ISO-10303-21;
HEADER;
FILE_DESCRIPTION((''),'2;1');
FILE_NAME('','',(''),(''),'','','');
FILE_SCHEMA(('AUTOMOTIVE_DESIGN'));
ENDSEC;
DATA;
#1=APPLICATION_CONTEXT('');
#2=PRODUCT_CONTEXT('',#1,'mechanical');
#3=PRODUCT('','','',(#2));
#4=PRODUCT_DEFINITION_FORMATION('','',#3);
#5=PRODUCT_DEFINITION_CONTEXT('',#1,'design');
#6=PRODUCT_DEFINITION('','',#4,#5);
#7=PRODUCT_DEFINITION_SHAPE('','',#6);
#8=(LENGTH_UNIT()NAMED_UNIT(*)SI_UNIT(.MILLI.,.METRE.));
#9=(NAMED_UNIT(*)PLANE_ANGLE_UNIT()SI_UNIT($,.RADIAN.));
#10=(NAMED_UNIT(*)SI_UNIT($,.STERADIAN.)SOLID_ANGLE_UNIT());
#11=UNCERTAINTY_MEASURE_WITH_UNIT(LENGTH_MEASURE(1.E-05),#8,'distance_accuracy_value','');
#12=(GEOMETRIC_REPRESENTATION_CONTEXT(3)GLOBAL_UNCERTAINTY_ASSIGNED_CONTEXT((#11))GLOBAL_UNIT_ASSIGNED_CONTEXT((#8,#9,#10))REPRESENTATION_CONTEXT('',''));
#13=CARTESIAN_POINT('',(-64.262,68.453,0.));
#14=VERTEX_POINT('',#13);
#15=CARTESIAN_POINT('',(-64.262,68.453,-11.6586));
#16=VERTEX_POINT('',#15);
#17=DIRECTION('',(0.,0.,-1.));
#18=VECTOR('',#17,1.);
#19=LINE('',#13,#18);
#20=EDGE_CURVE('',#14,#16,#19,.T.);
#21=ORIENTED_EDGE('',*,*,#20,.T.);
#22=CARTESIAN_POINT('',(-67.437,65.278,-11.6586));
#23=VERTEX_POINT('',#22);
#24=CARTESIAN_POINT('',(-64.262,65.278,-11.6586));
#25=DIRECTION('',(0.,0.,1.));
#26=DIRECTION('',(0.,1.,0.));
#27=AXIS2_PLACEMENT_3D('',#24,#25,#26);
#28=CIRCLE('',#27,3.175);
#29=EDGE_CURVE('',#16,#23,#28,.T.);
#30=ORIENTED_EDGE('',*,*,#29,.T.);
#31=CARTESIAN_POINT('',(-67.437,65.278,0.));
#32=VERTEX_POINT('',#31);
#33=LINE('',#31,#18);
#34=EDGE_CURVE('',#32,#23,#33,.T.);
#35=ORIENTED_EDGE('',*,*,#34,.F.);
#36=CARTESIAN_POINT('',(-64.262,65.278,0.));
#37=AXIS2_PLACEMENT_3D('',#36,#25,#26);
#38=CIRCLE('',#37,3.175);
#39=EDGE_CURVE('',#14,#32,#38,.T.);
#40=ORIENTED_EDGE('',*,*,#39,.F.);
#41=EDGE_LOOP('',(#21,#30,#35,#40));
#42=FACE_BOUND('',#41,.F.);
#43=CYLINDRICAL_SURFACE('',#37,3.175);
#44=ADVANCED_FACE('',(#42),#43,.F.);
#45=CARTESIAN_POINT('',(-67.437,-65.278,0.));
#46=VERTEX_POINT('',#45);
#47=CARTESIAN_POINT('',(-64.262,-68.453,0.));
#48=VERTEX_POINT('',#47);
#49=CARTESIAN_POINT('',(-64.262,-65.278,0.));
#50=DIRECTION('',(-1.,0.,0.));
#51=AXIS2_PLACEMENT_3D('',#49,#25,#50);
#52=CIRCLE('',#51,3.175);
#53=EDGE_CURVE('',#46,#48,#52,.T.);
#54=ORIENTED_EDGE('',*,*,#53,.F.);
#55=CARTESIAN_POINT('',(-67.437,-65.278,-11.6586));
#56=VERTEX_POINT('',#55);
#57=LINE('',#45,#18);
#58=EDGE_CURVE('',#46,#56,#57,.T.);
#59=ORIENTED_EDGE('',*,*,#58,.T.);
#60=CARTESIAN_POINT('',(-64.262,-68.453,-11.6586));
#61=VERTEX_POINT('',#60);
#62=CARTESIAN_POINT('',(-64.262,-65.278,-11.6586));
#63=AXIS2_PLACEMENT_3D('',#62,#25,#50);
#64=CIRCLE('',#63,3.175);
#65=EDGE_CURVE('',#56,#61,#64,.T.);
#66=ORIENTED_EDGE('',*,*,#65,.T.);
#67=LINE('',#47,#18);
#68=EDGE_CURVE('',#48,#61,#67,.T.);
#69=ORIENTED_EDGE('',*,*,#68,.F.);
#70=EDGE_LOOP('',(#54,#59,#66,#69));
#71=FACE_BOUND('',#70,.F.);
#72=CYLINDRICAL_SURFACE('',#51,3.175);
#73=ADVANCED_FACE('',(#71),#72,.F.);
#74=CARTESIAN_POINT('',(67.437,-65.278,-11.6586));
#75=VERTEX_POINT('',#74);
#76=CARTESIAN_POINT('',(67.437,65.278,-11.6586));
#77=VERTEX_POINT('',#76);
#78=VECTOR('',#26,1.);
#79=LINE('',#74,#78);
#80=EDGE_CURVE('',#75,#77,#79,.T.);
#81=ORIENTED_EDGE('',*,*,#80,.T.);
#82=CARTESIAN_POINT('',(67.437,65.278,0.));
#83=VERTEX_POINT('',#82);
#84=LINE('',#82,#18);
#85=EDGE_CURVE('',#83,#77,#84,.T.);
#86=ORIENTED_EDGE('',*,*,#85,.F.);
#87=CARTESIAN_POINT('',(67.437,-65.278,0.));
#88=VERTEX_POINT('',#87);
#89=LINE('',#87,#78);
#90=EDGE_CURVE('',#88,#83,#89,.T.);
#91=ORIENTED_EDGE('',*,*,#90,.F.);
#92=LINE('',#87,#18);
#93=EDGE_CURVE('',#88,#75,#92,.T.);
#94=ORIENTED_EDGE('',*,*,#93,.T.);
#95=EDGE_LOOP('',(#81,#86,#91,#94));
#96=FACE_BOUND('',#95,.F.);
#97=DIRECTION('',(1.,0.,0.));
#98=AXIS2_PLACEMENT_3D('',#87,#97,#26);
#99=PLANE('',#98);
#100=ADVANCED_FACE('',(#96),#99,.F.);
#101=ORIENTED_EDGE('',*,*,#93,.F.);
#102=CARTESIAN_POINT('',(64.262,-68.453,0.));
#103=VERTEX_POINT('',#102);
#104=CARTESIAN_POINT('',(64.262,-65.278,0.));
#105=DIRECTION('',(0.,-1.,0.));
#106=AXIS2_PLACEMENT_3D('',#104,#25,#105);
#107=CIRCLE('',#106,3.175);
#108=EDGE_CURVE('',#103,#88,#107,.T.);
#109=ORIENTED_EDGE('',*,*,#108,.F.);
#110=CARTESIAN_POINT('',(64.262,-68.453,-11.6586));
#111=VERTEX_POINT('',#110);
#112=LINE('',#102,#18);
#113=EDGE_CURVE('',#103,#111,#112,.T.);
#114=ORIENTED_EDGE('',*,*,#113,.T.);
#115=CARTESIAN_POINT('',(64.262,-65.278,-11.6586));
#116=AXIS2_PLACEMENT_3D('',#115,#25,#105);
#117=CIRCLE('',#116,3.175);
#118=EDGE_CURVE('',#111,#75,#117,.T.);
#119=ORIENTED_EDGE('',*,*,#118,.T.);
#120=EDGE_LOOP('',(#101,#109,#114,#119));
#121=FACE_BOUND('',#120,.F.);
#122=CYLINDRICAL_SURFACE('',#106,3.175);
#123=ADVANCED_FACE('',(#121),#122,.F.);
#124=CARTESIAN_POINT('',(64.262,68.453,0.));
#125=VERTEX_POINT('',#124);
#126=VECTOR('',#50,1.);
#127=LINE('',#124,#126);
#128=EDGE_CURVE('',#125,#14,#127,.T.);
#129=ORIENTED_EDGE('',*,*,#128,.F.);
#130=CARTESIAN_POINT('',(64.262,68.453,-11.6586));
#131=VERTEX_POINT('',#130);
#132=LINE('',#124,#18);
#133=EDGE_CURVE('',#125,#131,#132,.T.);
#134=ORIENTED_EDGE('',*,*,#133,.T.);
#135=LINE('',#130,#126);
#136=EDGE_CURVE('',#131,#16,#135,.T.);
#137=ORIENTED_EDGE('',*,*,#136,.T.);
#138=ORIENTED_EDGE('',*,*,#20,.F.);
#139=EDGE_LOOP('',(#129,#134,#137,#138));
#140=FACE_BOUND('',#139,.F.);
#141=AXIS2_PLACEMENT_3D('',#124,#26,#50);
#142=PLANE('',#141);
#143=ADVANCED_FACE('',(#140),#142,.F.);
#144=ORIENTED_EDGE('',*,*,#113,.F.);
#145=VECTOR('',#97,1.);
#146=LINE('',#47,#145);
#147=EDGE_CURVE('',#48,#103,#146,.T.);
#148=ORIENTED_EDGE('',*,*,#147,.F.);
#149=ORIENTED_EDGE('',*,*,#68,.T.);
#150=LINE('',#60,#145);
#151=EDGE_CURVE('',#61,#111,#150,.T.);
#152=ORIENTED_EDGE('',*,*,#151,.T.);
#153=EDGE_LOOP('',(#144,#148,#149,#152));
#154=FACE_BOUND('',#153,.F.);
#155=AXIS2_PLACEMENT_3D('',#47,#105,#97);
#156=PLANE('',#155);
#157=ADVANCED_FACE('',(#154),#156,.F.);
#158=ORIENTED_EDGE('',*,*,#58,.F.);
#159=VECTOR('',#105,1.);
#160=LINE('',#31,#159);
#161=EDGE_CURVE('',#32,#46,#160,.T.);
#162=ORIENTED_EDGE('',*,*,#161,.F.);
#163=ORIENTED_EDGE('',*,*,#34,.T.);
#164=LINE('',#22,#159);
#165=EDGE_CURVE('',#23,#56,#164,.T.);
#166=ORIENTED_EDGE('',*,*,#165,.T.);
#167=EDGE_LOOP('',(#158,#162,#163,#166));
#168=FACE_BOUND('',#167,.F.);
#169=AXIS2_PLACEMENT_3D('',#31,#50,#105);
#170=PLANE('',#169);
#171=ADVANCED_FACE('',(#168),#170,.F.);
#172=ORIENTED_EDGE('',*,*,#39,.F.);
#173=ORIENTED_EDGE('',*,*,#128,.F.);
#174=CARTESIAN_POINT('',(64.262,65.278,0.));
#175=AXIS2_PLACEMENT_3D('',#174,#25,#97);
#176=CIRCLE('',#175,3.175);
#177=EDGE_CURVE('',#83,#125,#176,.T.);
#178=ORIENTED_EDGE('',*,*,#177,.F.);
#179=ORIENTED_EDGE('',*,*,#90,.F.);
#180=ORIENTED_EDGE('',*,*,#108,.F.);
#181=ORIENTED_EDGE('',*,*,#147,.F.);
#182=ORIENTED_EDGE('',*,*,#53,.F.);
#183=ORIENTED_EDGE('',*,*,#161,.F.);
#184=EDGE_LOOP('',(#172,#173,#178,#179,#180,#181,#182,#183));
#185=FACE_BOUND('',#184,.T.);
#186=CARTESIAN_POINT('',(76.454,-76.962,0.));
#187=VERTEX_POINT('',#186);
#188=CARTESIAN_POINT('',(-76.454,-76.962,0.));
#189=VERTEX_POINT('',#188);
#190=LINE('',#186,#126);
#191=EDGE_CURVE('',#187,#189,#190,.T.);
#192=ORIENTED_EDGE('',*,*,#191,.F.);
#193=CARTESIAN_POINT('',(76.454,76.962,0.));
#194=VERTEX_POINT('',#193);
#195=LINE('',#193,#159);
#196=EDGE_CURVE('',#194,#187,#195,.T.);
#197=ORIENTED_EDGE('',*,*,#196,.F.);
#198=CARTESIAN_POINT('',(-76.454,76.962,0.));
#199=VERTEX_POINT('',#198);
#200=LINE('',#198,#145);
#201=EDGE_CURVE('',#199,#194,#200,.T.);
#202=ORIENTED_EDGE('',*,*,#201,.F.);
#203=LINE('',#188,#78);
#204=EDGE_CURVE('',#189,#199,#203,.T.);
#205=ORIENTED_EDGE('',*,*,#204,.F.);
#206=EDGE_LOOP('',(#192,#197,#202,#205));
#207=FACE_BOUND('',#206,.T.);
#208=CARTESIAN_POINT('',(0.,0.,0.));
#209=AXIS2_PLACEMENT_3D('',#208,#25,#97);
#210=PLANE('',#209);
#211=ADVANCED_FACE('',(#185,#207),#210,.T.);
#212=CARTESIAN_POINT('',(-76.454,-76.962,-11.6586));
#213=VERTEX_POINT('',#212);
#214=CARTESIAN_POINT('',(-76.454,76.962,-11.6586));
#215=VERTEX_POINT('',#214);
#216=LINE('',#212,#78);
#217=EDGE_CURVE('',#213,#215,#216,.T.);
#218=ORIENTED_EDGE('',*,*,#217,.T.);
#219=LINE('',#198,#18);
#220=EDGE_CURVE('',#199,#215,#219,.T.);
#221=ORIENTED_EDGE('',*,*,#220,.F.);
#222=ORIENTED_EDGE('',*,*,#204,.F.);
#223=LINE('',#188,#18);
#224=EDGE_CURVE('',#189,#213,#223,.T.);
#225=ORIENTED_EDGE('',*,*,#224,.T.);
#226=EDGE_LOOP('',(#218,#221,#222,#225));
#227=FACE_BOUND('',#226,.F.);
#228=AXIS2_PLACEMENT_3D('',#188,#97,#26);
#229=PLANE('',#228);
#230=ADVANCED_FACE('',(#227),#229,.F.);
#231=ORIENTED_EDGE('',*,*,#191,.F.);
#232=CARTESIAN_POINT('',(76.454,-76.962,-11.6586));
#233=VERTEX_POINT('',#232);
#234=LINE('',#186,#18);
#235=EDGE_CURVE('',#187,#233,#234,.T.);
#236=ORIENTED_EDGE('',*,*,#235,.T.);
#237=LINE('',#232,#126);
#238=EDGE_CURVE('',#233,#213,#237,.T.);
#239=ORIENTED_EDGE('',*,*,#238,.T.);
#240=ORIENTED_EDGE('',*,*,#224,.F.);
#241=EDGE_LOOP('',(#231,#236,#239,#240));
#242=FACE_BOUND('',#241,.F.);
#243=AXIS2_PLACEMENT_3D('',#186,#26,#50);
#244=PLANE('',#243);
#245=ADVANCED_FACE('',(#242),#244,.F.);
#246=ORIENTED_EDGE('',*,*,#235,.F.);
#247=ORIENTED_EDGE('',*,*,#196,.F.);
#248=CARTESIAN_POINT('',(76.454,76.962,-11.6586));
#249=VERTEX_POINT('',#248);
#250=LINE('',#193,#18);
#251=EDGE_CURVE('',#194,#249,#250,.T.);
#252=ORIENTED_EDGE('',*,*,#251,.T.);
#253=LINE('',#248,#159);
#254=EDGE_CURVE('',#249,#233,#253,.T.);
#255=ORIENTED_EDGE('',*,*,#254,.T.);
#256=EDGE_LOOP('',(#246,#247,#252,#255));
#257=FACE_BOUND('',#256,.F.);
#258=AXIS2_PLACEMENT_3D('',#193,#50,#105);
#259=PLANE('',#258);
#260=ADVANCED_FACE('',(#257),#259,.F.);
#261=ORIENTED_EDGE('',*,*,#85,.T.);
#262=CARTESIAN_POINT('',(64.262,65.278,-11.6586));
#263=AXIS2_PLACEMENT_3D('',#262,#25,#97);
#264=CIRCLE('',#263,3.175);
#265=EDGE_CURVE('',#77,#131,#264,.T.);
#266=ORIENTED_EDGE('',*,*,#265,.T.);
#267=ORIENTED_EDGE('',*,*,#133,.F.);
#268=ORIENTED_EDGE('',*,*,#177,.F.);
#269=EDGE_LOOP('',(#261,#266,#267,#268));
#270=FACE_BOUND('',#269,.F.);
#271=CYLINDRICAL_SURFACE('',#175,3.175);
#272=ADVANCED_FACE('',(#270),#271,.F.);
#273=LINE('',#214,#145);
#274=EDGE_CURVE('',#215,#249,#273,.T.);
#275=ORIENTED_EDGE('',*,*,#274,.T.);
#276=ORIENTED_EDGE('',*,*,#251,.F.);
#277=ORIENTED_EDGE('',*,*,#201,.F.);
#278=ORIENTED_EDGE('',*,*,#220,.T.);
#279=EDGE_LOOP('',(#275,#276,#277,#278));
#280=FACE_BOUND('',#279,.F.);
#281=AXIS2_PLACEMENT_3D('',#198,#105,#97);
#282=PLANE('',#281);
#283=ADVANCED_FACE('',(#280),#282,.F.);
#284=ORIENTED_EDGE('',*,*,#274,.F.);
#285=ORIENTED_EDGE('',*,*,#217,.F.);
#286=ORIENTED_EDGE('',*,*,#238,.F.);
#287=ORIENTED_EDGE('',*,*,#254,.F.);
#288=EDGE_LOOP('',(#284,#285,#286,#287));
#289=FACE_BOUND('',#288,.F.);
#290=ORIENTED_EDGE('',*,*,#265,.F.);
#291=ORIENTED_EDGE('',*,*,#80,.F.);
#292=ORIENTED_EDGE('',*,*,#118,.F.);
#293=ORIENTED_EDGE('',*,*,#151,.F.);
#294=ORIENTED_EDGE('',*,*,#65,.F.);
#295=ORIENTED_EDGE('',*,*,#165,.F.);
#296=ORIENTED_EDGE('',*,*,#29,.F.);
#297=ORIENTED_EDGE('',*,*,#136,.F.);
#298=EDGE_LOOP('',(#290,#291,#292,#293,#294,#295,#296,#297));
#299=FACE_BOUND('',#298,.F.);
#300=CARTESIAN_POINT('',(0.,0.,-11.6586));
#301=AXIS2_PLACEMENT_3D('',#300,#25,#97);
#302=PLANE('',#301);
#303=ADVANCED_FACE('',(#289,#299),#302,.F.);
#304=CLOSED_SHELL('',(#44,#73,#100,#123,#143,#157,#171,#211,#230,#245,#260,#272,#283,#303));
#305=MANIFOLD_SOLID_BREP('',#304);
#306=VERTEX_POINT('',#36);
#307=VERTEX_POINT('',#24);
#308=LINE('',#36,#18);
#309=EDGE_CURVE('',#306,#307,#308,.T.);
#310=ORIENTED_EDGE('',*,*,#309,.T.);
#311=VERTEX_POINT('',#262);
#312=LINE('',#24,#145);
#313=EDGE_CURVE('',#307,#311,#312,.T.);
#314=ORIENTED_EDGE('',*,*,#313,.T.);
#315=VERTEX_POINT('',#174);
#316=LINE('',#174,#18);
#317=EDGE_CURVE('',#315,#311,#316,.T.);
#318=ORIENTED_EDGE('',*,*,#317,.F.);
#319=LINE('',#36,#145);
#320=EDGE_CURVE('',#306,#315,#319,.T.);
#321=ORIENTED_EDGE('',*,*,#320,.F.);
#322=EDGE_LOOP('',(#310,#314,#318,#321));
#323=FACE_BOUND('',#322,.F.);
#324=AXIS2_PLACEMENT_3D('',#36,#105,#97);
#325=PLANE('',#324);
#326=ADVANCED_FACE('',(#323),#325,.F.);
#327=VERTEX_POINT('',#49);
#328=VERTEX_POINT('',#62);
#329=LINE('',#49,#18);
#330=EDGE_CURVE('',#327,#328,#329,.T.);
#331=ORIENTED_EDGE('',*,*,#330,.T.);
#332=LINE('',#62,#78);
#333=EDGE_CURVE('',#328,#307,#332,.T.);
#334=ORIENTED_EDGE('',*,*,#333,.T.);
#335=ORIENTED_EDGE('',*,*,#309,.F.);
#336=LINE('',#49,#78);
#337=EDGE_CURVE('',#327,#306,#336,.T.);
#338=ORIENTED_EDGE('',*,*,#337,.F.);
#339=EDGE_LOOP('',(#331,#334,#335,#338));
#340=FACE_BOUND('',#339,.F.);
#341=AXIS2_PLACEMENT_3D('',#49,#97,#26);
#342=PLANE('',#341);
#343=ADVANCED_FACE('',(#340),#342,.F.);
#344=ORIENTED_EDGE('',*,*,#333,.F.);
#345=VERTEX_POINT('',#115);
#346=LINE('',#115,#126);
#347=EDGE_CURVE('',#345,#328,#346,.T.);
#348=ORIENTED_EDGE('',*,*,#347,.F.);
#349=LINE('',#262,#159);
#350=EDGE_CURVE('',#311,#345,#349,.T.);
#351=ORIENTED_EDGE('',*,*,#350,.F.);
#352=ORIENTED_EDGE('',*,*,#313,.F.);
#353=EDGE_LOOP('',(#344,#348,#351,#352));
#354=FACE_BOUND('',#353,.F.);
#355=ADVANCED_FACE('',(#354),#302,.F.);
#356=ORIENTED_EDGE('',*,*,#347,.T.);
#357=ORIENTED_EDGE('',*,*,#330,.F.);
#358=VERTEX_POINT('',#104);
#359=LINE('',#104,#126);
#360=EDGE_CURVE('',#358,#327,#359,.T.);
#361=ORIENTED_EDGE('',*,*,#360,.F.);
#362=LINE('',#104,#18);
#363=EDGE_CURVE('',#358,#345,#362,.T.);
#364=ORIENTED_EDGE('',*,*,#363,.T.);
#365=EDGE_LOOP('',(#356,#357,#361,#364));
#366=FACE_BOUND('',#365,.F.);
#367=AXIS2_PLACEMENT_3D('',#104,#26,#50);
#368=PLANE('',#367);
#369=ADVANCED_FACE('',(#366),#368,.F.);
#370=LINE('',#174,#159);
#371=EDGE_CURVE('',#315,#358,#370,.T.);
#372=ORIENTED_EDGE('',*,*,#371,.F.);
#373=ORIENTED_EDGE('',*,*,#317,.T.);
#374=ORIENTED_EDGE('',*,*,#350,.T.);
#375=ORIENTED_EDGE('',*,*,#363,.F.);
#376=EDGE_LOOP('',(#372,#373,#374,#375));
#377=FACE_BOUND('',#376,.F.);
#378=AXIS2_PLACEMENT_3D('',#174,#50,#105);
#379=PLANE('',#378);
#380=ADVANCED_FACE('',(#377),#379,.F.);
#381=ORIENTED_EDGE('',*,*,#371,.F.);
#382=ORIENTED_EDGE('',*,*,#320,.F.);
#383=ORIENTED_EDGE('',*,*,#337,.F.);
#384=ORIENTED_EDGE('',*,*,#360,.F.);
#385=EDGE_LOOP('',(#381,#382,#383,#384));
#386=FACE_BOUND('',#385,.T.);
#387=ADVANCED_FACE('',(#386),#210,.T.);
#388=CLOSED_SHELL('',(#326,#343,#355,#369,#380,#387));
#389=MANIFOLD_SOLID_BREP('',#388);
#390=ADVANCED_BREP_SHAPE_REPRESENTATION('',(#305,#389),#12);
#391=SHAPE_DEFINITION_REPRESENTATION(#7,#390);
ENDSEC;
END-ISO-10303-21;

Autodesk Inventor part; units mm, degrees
ref_plane "YZ Plane" through (0, 0, 0) normal (1, 0, 0) x (0, 1, 0)
ref_plane "XZ Plane" through (0, 0, 0) normal (0, 1, 0) x (-1, 0, 0)
ref_plane "XY Plane" through (0, 0, 0) normal (0, 0, 1) x (1, 0, 0)
sketch "Sketch1" plane through (0, 0, 0) normal (0, 0, 1) x (1, 0, 0)
  line L0 (64.262, -65.278) -> (-64.262, -65.278)
  line L1 (-64.262, -65.278) -> (-64.262, 65.278)
  line L2 (-64.262, 65.278) -> (64.262, 65.278)
  line L3 (64.262, 65.278) -> (64.262, -65.278)
  line L4 (76.454, -76.962) -> (-76.454, -76.962)
  line L5 (-76.454, -76.962) -> (-76.454, 76.962)
  line L6 (-76.454, 76.962) -> (76.454, 76.962)
  line L7 (76.454, 76.962) -> (76.454, -76.962)
  line L8 (64.262, 68.453) -> (-64.262, 68.453)
  line L9 (-67.437, 65.278) -> (-67.437, -65.278)
  line L10 (-64.262, -68.453) -> (64.262, -68.453)
  line L11 (67.437, -65.278) -> (67.437, 65.278)
  arc A0 (-64.262, 68.453) -> (-67.437, 65.278) centre (-64.262, 65.278) ccw
  arc A1 (67.437, 65.278) -> (64.262, 68.453) centre (64.262, 65.278) ccw
  arc A2 (64.262, -68.453) -> (67.437, -65.278) centre (64.262, -65.278) ccw
  arc A3 (-67.437, -65.278) -> (-64.262, -68.453) centre (-64.262, -65.278) ccw
  point P0 (0, 0)
  dimension "d0" = 128.524
  dimension "d1" = 130.556
  dimension "d2" = 152.908
  dimension "d3" = 153.924
  dimension "d4" = 3.175
  dimension "d5" = 3.175
extrude "Extrusion1" add sketch "Sketch1" against normal blind 11.6586
properties part number "cy oring"
